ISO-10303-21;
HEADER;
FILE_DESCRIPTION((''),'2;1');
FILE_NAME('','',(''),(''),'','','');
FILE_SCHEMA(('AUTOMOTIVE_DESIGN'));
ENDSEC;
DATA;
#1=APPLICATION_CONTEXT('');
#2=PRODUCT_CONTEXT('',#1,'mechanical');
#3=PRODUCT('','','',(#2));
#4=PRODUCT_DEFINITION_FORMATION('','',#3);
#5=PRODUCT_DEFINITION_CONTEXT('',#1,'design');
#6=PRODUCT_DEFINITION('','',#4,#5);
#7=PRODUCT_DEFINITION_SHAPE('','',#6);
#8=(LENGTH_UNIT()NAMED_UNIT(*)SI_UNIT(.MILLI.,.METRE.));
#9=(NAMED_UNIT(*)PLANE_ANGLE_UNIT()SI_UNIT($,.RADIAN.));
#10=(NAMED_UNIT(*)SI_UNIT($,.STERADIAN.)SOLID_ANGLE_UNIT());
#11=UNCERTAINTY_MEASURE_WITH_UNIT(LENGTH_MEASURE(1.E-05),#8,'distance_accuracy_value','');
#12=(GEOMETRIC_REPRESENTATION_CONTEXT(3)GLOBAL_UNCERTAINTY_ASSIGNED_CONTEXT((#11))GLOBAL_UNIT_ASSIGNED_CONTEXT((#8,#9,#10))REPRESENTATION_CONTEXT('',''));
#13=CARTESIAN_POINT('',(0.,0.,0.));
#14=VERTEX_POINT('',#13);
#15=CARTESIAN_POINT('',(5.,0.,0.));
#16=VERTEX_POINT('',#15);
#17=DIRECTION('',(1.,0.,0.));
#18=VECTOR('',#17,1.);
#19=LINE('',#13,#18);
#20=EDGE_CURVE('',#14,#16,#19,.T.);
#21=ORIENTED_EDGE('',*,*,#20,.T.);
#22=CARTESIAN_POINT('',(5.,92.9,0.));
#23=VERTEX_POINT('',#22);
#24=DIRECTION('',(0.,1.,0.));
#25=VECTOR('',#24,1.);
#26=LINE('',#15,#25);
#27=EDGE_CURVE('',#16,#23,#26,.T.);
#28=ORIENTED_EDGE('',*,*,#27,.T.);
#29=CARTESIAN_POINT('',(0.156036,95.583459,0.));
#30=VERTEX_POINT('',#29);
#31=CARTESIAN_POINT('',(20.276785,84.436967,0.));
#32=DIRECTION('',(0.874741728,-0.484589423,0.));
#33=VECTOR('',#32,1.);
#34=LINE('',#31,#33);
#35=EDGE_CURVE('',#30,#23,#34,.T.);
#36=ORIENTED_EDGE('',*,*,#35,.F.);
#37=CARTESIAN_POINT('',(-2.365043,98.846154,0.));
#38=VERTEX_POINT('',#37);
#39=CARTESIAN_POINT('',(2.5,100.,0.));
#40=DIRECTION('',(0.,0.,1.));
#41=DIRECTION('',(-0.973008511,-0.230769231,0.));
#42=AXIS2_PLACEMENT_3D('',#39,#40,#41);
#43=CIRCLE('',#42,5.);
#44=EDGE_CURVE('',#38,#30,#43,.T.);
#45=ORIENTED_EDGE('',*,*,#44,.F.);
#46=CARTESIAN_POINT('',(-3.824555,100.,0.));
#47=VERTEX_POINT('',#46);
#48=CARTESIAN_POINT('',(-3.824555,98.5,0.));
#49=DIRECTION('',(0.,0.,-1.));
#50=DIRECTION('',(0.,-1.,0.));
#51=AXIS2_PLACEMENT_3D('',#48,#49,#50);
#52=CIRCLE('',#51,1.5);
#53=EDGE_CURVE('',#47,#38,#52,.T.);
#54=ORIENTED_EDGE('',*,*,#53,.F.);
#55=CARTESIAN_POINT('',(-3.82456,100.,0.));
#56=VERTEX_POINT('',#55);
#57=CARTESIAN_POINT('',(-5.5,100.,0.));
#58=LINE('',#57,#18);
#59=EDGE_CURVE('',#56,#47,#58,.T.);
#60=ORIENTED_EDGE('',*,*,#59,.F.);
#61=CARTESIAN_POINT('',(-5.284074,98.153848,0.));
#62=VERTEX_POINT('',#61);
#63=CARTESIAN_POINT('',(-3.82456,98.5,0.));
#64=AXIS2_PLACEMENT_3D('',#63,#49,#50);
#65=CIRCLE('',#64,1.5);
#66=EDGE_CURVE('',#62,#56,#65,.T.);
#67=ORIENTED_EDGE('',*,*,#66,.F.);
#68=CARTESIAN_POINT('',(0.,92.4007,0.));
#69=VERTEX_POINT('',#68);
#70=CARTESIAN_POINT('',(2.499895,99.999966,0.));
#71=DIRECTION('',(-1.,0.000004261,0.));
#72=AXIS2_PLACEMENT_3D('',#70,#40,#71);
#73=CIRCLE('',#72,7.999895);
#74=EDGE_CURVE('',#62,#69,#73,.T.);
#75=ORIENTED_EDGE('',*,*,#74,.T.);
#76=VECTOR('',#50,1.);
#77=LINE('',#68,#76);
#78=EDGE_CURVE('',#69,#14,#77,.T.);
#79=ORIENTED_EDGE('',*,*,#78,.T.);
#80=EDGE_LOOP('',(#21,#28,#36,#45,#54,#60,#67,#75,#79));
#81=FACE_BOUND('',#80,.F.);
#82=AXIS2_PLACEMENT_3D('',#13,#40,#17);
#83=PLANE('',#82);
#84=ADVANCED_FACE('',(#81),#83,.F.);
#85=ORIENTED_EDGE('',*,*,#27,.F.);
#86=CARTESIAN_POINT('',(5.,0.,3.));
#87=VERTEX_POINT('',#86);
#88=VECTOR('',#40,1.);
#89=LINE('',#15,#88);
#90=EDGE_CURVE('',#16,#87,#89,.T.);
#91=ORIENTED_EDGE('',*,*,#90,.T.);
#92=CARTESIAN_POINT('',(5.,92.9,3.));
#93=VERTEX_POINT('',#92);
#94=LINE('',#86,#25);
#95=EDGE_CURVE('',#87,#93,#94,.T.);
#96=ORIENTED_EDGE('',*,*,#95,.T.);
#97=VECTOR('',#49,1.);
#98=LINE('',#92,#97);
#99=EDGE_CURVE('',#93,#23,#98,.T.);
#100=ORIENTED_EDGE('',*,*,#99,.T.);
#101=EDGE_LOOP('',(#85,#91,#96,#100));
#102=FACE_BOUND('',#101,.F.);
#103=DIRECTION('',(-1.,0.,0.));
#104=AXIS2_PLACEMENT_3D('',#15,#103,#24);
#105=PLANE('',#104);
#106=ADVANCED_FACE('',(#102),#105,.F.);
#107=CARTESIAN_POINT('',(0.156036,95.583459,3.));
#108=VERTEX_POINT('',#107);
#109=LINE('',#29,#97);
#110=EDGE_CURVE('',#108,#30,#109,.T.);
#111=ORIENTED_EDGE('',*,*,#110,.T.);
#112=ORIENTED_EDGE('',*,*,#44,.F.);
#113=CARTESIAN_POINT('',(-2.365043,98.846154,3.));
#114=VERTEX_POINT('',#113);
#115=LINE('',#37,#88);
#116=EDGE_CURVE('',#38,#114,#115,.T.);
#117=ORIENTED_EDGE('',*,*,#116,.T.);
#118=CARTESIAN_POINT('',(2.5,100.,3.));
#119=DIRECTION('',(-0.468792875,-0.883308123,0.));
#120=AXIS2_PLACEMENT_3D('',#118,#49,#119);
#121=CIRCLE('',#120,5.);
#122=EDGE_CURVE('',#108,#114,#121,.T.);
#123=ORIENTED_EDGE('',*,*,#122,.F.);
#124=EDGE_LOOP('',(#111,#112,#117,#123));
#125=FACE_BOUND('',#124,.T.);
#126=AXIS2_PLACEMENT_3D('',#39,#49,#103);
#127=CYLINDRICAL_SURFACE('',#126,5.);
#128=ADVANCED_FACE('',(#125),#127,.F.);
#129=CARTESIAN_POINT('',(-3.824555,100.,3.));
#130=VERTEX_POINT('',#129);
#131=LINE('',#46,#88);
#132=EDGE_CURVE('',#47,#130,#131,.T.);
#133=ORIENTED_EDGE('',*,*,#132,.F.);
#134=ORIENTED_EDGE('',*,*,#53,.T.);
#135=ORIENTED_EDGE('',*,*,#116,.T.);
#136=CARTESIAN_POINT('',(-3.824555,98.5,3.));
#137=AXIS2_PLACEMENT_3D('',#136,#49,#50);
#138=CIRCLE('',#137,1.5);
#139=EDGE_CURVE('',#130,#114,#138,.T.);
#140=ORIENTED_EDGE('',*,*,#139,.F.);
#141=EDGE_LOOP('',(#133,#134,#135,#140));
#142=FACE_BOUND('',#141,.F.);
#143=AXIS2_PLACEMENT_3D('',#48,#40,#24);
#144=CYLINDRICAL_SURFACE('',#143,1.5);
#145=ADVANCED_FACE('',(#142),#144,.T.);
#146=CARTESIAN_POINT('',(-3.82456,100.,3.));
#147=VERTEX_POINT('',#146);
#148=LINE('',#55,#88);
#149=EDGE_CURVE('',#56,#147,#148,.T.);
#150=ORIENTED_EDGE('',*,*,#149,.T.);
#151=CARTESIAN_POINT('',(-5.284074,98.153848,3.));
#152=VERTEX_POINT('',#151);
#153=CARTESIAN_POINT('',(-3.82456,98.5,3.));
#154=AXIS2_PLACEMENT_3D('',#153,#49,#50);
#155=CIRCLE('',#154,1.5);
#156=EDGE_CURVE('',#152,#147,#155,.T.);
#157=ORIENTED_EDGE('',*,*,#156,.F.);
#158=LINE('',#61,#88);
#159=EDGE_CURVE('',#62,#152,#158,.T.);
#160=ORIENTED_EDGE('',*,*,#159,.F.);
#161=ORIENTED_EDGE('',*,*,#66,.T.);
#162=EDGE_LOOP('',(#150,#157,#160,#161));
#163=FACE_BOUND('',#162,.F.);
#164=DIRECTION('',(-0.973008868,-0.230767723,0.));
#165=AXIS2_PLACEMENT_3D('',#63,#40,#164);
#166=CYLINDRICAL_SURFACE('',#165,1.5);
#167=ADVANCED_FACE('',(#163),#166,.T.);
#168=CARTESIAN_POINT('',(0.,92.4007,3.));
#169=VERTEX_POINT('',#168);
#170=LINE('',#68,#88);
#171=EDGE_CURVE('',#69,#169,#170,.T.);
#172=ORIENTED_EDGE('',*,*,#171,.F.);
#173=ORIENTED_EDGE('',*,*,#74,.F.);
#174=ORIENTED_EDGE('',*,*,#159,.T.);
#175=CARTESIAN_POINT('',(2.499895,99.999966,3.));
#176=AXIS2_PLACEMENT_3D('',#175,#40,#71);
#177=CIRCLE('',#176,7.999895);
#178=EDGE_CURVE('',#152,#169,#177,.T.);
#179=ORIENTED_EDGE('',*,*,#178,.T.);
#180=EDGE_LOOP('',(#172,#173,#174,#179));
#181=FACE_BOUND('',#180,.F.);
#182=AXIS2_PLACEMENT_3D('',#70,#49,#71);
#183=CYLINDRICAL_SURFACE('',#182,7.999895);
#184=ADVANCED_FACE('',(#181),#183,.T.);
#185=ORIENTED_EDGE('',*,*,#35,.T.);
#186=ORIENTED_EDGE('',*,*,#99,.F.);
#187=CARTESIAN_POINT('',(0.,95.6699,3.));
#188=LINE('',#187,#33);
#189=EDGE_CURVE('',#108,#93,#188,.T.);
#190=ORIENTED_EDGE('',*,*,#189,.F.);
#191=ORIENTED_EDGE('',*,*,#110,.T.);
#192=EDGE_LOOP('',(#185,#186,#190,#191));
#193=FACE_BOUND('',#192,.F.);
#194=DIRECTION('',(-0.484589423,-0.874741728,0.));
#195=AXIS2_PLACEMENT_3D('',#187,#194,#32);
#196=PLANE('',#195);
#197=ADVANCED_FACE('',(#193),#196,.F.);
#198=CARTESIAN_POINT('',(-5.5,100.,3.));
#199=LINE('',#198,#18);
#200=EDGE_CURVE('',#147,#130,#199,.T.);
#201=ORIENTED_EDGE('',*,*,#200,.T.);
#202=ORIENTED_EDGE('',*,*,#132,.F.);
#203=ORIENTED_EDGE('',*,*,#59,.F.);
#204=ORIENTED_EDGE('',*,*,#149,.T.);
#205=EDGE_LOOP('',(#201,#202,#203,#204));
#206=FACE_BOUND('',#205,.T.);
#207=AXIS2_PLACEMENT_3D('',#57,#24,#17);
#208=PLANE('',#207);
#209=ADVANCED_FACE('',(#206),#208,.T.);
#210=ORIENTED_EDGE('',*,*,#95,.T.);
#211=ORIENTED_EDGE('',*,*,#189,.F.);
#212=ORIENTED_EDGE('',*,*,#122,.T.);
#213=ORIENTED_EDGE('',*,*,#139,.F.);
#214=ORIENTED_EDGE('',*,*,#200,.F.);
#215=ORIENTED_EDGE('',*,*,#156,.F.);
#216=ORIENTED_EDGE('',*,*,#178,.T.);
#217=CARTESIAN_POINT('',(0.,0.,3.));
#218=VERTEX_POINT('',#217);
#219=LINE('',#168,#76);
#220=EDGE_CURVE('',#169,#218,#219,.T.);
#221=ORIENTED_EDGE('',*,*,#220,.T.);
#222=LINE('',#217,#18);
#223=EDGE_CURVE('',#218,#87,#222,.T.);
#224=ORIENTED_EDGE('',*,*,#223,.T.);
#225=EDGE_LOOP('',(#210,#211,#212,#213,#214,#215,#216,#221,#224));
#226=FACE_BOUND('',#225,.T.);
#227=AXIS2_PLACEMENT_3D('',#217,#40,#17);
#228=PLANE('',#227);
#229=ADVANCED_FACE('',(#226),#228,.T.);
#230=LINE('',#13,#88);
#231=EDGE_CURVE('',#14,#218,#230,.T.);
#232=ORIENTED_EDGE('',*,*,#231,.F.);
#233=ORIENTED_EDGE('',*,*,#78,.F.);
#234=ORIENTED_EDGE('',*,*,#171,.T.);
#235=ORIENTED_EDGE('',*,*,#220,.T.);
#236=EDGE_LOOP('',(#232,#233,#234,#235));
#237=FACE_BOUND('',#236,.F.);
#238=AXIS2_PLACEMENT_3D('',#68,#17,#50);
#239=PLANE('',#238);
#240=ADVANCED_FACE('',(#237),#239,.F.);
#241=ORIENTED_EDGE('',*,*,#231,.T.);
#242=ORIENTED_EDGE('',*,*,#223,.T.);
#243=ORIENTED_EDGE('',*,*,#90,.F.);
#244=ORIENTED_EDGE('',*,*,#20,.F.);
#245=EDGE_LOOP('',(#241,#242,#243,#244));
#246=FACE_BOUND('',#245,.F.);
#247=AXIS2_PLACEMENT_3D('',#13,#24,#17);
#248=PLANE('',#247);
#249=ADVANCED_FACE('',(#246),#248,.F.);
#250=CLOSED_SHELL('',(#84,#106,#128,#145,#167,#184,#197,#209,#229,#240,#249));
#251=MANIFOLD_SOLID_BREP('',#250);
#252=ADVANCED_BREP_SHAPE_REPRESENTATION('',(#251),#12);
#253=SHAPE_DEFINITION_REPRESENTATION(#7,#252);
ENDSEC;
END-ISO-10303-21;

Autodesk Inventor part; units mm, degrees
ref_plane "YZ Plane" through (0, 0, 0) normal (1, 0, 0) x (0, 1, 0)
ref_plane "XZ Plane" through (0, 0, 0) normal (0, 1, 0) x (-1, 0, 0)
ref_plane "XY Plane" through (0, 0, 0) normal (0, 0, 1) x (1, 0, 0)
sketch "Sketch1" plane through (0, 0, 0) normal (0, 0, 1) x (1, 0, 0)
  line L0 (0, 0) -> (5, 0)
  line L1 (5, 0) -> (5, 95)
  line L2 (5, 95) -> (2.5, 95)
  line L3 (0, 92.4007) -> (0, 0)
  arc A0 (-2.5, 100) -> (2.5, 95) centre (2.5, 100) ccw
  arc A1 (-5.5, 100) -> (0, 92.4007) centre (2.5, 100) ccw
  line L4 (-5.5, 100) -> (-2.5, 100)
  point P0 (2.5, 0)
  dimension "d1" = 95
  dimension "d5" = 10
  dimension "d6" = 3
  dimension "d7" = 3
  dimension "d8" = 5
extrude "Extrusion1" add sketch "Sketch1" along normal blind 3
fillet "Fillet2" radius 1.5 2 edges at (-2.5, 100, 1.5) (-5.5, 100, 1.5)
sketch "Sketch3" plane through (0, 0, 3) normal (0, 0, 1) x (1, 0, 0)
  line L0 (0, 95.6699) -> (5, 92.9)
  line L1 (5, 92.9) -> (5, 95)
  line L2 (5, 95) -> (0, 95.6699)
  arc A0 (-2.365, 98.8462) -> (2.5, 95) centre (2.5, 100) ccw projected
  point P0 (0, 0)
  point P1 (0, 92.4007)
  dimension "d12" = 5
  dimension "d14" = 2.1
extrude "Extrusion2" cut sketch "Sketch3" against normal through all
properties part number "Moving Ramp Holder Shaft"
